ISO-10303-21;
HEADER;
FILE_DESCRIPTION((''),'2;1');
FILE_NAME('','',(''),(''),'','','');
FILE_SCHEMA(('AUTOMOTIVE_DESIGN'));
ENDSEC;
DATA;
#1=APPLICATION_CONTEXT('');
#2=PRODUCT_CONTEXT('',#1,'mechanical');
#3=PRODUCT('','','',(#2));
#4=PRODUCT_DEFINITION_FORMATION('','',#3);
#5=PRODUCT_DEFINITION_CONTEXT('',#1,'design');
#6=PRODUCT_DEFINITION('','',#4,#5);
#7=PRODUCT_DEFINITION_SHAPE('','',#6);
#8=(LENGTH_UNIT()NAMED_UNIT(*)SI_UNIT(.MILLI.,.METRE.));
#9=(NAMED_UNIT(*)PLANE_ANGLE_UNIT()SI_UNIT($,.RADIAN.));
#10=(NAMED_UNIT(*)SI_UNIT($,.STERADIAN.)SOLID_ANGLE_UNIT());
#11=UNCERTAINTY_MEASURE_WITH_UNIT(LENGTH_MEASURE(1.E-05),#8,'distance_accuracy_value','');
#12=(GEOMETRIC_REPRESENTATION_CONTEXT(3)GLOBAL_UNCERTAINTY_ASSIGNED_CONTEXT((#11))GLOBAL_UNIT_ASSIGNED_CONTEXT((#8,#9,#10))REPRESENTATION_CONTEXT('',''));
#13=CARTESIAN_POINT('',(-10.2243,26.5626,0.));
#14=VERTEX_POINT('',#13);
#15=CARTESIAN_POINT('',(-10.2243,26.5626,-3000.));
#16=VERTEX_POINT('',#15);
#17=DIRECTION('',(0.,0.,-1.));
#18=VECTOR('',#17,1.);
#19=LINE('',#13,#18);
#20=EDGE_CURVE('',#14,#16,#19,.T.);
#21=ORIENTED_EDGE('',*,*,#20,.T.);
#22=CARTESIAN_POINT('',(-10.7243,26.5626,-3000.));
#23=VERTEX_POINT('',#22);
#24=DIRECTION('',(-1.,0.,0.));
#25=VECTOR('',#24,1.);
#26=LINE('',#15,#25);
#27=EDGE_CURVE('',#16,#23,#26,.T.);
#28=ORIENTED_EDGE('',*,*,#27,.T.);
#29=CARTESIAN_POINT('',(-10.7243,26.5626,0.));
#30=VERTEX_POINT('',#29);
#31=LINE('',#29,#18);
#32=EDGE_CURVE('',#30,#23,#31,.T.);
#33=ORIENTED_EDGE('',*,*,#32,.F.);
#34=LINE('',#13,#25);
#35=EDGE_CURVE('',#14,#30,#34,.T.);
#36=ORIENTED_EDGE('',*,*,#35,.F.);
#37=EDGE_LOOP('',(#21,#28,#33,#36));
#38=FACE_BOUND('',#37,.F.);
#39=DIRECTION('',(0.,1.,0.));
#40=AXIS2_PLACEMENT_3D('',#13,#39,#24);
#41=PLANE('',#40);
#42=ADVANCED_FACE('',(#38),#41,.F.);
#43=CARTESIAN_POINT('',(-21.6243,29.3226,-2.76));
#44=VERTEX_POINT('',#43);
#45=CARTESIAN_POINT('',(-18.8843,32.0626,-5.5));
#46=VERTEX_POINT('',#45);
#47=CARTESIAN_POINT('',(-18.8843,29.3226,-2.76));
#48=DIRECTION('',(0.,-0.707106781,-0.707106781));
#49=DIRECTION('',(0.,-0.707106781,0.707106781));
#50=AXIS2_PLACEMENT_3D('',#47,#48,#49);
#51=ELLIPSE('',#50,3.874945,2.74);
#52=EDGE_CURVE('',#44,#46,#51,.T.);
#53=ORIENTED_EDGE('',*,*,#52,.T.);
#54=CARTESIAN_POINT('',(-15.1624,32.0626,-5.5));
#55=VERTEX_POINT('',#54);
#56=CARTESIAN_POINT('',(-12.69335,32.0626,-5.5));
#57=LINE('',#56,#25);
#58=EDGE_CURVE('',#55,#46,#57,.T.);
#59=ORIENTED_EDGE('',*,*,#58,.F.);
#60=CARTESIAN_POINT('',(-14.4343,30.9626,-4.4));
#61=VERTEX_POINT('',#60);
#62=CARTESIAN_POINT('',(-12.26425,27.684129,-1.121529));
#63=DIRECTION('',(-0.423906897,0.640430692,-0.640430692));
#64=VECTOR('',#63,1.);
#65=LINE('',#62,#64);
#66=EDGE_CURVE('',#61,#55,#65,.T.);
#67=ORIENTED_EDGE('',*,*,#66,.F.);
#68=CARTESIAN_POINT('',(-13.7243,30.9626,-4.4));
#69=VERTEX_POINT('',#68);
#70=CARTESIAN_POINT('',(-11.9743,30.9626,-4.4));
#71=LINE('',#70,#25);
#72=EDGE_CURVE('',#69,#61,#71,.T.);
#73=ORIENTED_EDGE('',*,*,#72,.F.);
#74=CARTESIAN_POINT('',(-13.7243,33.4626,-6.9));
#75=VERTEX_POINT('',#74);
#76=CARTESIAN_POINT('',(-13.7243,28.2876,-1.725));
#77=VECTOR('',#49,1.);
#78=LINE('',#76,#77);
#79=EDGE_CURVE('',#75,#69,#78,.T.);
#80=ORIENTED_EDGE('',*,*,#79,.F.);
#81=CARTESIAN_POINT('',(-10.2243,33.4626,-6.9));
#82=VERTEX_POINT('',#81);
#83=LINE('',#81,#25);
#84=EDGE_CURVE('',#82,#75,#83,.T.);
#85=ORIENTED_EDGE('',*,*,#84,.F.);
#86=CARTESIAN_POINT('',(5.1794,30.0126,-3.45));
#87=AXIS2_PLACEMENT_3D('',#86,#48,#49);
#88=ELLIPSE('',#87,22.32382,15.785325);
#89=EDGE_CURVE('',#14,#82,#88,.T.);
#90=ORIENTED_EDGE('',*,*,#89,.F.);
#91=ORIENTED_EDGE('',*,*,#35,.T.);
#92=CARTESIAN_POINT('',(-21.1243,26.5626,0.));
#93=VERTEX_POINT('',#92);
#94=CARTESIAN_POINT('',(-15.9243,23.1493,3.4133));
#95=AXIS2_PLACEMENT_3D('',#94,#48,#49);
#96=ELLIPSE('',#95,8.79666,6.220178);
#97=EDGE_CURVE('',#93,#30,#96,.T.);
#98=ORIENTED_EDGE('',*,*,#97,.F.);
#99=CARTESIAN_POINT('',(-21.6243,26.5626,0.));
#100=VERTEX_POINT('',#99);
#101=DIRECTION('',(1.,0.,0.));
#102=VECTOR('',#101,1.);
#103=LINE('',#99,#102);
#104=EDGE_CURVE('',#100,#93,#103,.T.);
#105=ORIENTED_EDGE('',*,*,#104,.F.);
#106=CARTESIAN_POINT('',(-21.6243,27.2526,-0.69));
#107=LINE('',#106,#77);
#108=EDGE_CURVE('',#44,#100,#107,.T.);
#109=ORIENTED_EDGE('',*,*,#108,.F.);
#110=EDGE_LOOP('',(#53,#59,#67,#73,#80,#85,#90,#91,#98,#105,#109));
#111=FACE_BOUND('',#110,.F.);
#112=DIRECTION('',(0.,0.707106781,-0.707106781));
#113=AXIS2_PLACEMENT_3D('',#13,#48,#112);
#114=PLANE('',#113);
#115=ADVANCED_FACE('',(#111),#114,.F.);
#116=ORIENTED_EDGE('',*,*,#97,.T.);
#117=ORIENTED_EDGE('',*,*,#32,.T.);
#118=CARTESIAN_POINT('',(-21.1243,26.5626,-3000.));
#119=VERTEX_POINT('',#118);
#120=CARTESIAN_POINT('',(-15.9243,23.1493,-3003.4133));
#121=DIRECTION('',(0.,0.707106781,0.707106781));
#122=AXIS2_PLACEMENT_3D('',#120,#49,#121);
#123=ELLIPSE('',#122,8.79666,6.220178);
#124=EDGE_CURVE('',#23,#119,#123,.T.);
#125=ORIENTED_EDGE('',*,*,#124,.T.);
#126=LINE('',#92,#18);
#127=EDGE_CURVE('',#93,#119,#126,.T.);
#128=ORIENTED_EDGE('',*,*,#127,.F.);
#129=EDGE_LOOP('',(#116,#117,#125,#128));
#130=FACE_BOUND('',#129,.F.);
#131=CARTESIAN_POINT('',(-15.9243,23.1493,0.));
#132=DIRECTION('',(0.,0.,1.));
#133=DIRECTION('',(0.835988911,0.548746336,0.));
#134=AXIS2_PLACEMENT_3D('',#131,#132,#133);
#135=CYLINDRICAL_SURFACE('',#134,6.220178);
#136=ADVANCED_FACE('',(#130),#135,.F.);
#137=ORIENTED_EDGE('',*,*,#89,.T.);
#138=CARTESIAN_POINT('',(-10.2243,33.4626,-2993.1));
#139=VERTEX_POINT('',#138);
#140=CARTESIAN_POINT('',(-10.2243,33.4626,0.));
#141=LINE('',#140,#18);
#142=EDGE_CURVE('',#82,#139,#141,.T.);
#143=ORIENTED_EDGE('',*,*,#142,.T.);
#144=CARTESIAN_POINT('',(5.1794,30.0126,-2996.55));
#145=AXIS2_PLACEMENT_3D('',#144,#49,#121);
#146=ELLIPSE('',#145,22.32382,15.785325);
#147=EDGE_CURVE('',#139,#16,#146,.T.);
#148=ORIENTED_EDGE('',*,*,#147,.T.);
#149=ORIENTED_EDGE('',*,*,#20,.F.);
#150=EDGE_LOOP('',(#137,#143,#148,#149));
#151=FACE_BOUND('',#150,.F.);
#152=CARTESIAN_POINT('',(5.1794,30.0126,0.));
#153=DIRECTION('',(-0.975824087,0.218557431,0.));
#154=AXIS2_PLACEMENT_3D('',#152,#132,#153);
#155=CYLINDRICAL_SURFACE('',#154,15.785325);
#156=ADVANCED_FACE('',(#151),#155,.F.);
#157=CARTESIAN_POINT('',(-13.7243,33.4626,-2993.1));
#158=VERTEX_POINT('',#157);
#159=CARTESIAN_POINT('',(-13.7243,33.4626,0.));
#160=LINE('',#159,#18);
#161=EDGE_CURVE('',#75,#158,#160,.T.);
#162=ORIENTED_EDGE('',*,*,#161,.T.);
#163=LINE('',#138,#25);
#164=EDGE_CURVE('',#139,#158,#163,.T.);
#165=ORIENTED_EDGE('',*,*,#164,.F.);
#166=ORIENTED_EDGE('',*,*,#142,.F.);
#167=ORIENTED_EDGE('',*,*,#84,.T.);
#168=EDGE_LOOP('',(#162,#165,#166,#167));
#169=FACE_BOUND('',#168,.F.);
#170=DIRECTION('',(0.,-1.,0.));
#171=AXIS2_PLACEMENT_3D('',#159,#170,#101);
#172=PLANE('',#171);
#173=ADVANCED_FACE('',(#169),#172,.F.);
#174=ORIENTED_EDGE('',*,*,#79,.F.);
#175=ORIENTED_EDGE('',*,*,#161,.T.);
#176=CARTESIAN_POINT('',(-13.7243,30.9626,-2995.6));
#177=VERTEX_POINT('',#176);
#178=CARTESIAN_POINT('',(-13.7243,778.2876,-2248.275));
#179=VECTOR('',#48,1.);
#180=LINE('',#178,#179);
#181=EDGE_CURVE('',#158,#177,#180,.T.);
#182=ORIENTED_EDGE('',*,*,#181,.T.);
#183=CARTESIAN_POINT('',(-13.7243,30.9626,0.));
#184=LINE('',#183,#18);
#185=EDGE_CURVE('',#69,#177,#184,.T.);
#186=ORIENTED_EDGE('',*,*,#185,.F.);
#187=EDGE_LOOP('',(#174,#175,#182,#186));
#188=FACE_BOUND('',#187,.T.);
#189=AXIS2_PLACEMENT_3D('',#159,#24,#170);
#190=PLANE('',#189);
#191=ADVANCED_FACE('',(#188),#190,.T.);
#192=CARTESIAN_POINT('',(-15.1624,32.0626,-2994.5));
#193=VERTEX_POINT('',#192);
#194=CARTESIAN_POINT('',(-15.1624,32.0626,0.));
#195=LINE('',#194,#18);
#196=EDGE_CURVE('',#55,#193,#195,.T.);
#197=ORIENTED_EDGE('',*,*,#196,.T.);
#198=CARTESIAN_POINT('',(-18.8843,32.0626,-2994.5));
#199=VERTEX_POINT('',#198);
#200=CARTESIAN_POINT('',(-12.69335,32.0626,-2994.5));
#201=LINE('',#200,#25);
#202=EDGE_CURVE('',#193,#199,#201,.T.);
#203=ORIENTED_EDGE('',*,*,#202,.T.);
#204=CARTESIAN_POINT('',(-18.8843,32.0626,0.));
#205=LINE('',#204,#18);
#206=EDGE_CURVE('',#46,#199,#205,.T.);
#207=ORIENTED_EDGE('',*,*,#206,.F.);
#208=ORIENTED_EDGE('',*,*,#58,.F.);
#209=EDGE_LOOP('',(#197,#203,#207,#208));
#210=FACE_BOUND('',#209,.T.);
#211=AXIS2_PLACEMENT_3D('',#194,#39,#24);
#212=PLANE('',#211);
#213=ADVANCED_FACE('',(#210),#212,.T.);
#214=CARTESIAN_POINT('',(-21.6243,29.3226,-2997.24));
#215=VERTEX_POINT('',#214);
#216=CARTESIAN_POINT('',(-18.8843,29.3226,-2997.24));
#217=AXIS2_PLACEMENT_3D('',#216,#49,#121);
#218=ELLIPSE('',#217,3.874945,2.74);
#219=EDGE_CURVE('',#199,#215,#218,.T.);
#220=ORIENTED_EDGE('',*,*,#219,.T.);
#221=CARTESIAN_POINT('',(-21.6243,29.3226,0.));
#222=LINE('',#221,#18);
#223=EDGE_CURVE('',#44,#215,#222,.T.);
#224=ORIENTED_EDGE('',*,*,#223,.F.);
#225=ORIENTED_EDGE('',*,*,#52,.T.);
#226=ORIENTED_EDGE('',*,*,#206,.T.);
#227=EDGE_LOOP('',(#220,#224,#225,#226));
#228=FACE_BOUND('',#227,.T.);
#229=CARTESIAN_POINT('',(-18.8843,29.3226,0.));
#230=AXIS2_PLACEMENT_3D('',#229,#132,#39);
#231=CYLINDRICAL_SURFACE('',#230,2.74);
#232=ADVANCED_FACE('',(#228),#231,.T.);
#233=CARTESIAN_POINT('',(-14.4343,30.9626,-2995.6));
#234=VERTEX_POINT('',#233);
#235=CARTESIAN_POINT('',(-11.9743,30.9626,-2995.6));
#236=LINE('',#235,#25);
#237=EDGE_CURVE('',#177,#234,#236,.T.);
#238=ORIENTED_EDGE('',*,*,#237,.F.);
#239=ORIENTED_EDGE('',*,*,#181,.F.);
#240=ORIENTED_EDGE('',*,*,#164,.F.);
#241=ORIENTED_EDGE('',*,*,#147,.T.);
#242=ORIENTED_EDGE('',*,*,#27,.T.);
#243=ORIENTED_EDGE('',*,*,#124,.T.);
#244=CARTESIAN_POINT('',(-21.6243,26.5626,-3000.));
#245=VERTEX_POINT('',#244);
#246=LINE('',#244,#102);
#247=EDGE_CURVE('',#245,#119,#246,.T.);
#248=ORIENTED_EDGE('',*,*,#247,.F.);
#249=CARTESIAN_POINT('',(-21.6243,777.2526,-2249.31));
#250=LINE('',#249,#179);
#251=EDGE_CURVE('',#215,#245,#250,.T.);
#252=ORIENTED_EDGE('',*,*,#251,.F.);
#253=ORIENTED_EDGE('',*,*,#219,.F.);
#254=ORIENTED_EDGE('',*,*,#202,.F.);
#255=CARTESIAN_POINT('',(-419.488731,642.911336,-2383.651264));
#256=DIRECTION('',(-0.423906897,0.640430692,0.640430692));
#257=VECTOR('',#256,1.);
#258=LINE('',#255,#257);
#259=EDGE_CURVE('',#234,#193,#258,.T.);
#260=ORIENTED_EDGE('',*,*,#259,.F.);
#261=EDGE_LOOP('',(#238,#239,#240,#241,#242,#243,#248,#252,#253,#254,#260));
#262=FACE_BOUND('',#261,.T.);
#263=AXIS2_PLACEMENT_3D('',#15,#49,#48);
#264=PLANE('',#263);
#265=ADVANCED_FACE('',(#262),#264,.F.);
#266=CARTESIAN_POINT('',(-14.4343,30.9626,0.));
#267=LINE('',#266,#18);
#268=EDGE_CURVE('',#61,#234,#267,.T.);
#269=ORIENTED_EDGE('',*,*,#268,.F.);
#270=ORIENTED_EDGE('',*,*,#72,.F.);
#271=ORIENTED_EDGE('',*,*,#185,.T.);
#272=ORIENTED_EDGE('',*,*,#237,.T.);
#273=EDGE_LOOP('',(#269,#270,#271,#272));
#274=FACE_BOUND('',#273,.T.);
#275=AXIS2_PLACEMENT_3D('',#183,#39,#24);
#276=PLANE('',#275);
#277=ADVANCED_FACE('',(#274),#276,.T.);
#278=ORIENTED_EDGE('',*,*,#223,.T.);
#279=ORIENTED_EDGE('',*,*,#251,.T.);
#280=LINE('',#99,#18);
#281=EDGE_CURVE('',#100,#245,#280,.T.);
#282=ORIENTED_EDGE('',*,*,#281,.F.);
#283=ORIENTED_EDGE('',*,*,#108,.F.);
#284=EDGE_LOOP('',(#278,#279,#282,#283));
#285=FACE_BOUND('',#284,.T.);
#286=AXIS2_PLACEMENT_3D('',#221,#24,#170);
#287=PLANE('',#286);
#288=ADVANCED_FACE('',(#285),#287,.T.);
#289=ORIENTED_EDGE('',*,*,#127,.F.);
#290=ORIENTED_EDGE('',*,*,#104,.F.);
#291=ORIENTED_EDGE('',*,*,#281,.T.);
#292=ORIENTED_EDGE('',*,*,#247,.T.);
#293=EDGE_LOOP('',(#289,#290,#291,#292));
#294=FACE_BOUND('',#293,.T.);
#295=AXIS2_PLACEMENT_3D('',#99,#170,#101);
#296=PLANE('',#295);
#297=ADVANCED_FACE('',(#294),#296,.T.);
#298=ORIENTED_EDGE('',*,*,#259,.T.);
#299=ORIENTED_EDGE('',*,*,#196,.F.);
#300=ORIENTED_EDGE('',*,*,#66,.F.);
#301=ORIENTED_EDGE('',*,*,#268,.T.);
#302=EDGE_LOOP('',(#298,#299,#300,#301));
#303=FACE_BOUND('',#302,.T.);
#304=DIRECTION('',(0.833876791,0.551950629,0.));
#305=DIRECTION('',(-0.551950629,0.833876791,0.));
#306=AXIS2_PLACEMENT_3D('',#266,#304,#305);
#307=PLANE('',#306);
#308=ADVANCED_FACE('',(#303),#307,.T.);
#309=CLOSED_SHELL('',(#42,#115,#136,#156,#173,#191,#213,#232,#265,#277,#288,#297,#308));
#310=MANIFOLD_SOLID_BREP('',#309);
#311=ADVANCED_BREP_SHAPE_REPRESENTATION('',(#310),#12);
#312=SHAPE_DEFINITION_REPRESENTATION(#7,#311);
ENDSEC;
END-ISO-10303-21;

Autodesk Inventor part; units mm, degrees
ref_plane "YZ Plane" through (0, 0, 0) normal (1, 0, 0) x (0, 1, 0)
sketch "Boceto3" plane through (0, 0, 0) normal (0, 0, 1) x (1, 0, 0)
  line L0 (-15.1624, 32.0626) -> (-18.8843, 32.0626)
  line L1 (-13.7243, 33.4626) -> (-13.7243, 30.9626)
  line L2 (-13.7243, 30.9626) -> (-14.4343, 30.9626)
  line L3 (-14.4343, 30.9626) -> (-15.1624, 32.0626)
  arc A0 (-18.8843, 32.0626) -> (-21.6243, 29.3226) centre (-18.8843, 29.3226) ccw
  line L4 (-13.7243, 33.4626) -> (-10.2243, 33.4626)
  line L5 (-21.6243, 29.3226) -> (-21.6243, 26.5626)
  arc A1 (-10.2243, 33.4626) -> (-10.2243, 26.5626) centre (5.1794, 30.0126) ccw
  line L6 (-21.6243, 26.5626) -> (-21.1243, 26.5626)
  line L7 (-10.2243, 26.5626) -> (-10.7243, 26.5626)
  arc A2 (-10.7243, 26.5626) -> (-21.1243, 26.5626) centre (-15.9243, 23.1493) ccw
  dimension "d218" = 2.5
  dimension "d219" = 0.71
  dimension "d221" = 33.5
  dimension "d223" = 2.74
  dimension "d281" = 3.5
  dimension "d288" = 2.76
  dimension "d291" = 0.5
  dimension "d292" = 0.5
extrude "Extrusión4" add sketch "Boceto3" against normal blind 3000
ref_plane "Plano de trabajo2" through (-10.2243, 33.4626, 0) normal (-1, 0, 0) x (0, 0, -1)
ref_plane "Plano de trabajo4" through (0, 0, -1500) normal (0, 0, 1) x (1, 0, 0)
sketch "Boceto5" plane through (-10.2243, 33.4626, 0) normal (-1, 0, 0) x (0, 0, -1)
  line L0 (0, 0) -> (0, 6.9) projected
  line L1 (0, 6.9) -> (6.9, 0)
  line L2 (0, 0) -> (3000, 0) projected
  line L3 (6.9, 0) -> (0, 0)
  line L4 (0, 0) -> (0, 6.9)
  point P0 (0, 33.4626)
  dimension "d296" = 45
extrude "Extrusión6" cut sketch "Boceto5" along normal through all
mirror "Simetría3" about plane through (0, 0, -1500) normal (0, 0, 1) of "Extrusión6"
properties part number "SP40-10 JUNTA INT CRISTAL" material "Caucho"
